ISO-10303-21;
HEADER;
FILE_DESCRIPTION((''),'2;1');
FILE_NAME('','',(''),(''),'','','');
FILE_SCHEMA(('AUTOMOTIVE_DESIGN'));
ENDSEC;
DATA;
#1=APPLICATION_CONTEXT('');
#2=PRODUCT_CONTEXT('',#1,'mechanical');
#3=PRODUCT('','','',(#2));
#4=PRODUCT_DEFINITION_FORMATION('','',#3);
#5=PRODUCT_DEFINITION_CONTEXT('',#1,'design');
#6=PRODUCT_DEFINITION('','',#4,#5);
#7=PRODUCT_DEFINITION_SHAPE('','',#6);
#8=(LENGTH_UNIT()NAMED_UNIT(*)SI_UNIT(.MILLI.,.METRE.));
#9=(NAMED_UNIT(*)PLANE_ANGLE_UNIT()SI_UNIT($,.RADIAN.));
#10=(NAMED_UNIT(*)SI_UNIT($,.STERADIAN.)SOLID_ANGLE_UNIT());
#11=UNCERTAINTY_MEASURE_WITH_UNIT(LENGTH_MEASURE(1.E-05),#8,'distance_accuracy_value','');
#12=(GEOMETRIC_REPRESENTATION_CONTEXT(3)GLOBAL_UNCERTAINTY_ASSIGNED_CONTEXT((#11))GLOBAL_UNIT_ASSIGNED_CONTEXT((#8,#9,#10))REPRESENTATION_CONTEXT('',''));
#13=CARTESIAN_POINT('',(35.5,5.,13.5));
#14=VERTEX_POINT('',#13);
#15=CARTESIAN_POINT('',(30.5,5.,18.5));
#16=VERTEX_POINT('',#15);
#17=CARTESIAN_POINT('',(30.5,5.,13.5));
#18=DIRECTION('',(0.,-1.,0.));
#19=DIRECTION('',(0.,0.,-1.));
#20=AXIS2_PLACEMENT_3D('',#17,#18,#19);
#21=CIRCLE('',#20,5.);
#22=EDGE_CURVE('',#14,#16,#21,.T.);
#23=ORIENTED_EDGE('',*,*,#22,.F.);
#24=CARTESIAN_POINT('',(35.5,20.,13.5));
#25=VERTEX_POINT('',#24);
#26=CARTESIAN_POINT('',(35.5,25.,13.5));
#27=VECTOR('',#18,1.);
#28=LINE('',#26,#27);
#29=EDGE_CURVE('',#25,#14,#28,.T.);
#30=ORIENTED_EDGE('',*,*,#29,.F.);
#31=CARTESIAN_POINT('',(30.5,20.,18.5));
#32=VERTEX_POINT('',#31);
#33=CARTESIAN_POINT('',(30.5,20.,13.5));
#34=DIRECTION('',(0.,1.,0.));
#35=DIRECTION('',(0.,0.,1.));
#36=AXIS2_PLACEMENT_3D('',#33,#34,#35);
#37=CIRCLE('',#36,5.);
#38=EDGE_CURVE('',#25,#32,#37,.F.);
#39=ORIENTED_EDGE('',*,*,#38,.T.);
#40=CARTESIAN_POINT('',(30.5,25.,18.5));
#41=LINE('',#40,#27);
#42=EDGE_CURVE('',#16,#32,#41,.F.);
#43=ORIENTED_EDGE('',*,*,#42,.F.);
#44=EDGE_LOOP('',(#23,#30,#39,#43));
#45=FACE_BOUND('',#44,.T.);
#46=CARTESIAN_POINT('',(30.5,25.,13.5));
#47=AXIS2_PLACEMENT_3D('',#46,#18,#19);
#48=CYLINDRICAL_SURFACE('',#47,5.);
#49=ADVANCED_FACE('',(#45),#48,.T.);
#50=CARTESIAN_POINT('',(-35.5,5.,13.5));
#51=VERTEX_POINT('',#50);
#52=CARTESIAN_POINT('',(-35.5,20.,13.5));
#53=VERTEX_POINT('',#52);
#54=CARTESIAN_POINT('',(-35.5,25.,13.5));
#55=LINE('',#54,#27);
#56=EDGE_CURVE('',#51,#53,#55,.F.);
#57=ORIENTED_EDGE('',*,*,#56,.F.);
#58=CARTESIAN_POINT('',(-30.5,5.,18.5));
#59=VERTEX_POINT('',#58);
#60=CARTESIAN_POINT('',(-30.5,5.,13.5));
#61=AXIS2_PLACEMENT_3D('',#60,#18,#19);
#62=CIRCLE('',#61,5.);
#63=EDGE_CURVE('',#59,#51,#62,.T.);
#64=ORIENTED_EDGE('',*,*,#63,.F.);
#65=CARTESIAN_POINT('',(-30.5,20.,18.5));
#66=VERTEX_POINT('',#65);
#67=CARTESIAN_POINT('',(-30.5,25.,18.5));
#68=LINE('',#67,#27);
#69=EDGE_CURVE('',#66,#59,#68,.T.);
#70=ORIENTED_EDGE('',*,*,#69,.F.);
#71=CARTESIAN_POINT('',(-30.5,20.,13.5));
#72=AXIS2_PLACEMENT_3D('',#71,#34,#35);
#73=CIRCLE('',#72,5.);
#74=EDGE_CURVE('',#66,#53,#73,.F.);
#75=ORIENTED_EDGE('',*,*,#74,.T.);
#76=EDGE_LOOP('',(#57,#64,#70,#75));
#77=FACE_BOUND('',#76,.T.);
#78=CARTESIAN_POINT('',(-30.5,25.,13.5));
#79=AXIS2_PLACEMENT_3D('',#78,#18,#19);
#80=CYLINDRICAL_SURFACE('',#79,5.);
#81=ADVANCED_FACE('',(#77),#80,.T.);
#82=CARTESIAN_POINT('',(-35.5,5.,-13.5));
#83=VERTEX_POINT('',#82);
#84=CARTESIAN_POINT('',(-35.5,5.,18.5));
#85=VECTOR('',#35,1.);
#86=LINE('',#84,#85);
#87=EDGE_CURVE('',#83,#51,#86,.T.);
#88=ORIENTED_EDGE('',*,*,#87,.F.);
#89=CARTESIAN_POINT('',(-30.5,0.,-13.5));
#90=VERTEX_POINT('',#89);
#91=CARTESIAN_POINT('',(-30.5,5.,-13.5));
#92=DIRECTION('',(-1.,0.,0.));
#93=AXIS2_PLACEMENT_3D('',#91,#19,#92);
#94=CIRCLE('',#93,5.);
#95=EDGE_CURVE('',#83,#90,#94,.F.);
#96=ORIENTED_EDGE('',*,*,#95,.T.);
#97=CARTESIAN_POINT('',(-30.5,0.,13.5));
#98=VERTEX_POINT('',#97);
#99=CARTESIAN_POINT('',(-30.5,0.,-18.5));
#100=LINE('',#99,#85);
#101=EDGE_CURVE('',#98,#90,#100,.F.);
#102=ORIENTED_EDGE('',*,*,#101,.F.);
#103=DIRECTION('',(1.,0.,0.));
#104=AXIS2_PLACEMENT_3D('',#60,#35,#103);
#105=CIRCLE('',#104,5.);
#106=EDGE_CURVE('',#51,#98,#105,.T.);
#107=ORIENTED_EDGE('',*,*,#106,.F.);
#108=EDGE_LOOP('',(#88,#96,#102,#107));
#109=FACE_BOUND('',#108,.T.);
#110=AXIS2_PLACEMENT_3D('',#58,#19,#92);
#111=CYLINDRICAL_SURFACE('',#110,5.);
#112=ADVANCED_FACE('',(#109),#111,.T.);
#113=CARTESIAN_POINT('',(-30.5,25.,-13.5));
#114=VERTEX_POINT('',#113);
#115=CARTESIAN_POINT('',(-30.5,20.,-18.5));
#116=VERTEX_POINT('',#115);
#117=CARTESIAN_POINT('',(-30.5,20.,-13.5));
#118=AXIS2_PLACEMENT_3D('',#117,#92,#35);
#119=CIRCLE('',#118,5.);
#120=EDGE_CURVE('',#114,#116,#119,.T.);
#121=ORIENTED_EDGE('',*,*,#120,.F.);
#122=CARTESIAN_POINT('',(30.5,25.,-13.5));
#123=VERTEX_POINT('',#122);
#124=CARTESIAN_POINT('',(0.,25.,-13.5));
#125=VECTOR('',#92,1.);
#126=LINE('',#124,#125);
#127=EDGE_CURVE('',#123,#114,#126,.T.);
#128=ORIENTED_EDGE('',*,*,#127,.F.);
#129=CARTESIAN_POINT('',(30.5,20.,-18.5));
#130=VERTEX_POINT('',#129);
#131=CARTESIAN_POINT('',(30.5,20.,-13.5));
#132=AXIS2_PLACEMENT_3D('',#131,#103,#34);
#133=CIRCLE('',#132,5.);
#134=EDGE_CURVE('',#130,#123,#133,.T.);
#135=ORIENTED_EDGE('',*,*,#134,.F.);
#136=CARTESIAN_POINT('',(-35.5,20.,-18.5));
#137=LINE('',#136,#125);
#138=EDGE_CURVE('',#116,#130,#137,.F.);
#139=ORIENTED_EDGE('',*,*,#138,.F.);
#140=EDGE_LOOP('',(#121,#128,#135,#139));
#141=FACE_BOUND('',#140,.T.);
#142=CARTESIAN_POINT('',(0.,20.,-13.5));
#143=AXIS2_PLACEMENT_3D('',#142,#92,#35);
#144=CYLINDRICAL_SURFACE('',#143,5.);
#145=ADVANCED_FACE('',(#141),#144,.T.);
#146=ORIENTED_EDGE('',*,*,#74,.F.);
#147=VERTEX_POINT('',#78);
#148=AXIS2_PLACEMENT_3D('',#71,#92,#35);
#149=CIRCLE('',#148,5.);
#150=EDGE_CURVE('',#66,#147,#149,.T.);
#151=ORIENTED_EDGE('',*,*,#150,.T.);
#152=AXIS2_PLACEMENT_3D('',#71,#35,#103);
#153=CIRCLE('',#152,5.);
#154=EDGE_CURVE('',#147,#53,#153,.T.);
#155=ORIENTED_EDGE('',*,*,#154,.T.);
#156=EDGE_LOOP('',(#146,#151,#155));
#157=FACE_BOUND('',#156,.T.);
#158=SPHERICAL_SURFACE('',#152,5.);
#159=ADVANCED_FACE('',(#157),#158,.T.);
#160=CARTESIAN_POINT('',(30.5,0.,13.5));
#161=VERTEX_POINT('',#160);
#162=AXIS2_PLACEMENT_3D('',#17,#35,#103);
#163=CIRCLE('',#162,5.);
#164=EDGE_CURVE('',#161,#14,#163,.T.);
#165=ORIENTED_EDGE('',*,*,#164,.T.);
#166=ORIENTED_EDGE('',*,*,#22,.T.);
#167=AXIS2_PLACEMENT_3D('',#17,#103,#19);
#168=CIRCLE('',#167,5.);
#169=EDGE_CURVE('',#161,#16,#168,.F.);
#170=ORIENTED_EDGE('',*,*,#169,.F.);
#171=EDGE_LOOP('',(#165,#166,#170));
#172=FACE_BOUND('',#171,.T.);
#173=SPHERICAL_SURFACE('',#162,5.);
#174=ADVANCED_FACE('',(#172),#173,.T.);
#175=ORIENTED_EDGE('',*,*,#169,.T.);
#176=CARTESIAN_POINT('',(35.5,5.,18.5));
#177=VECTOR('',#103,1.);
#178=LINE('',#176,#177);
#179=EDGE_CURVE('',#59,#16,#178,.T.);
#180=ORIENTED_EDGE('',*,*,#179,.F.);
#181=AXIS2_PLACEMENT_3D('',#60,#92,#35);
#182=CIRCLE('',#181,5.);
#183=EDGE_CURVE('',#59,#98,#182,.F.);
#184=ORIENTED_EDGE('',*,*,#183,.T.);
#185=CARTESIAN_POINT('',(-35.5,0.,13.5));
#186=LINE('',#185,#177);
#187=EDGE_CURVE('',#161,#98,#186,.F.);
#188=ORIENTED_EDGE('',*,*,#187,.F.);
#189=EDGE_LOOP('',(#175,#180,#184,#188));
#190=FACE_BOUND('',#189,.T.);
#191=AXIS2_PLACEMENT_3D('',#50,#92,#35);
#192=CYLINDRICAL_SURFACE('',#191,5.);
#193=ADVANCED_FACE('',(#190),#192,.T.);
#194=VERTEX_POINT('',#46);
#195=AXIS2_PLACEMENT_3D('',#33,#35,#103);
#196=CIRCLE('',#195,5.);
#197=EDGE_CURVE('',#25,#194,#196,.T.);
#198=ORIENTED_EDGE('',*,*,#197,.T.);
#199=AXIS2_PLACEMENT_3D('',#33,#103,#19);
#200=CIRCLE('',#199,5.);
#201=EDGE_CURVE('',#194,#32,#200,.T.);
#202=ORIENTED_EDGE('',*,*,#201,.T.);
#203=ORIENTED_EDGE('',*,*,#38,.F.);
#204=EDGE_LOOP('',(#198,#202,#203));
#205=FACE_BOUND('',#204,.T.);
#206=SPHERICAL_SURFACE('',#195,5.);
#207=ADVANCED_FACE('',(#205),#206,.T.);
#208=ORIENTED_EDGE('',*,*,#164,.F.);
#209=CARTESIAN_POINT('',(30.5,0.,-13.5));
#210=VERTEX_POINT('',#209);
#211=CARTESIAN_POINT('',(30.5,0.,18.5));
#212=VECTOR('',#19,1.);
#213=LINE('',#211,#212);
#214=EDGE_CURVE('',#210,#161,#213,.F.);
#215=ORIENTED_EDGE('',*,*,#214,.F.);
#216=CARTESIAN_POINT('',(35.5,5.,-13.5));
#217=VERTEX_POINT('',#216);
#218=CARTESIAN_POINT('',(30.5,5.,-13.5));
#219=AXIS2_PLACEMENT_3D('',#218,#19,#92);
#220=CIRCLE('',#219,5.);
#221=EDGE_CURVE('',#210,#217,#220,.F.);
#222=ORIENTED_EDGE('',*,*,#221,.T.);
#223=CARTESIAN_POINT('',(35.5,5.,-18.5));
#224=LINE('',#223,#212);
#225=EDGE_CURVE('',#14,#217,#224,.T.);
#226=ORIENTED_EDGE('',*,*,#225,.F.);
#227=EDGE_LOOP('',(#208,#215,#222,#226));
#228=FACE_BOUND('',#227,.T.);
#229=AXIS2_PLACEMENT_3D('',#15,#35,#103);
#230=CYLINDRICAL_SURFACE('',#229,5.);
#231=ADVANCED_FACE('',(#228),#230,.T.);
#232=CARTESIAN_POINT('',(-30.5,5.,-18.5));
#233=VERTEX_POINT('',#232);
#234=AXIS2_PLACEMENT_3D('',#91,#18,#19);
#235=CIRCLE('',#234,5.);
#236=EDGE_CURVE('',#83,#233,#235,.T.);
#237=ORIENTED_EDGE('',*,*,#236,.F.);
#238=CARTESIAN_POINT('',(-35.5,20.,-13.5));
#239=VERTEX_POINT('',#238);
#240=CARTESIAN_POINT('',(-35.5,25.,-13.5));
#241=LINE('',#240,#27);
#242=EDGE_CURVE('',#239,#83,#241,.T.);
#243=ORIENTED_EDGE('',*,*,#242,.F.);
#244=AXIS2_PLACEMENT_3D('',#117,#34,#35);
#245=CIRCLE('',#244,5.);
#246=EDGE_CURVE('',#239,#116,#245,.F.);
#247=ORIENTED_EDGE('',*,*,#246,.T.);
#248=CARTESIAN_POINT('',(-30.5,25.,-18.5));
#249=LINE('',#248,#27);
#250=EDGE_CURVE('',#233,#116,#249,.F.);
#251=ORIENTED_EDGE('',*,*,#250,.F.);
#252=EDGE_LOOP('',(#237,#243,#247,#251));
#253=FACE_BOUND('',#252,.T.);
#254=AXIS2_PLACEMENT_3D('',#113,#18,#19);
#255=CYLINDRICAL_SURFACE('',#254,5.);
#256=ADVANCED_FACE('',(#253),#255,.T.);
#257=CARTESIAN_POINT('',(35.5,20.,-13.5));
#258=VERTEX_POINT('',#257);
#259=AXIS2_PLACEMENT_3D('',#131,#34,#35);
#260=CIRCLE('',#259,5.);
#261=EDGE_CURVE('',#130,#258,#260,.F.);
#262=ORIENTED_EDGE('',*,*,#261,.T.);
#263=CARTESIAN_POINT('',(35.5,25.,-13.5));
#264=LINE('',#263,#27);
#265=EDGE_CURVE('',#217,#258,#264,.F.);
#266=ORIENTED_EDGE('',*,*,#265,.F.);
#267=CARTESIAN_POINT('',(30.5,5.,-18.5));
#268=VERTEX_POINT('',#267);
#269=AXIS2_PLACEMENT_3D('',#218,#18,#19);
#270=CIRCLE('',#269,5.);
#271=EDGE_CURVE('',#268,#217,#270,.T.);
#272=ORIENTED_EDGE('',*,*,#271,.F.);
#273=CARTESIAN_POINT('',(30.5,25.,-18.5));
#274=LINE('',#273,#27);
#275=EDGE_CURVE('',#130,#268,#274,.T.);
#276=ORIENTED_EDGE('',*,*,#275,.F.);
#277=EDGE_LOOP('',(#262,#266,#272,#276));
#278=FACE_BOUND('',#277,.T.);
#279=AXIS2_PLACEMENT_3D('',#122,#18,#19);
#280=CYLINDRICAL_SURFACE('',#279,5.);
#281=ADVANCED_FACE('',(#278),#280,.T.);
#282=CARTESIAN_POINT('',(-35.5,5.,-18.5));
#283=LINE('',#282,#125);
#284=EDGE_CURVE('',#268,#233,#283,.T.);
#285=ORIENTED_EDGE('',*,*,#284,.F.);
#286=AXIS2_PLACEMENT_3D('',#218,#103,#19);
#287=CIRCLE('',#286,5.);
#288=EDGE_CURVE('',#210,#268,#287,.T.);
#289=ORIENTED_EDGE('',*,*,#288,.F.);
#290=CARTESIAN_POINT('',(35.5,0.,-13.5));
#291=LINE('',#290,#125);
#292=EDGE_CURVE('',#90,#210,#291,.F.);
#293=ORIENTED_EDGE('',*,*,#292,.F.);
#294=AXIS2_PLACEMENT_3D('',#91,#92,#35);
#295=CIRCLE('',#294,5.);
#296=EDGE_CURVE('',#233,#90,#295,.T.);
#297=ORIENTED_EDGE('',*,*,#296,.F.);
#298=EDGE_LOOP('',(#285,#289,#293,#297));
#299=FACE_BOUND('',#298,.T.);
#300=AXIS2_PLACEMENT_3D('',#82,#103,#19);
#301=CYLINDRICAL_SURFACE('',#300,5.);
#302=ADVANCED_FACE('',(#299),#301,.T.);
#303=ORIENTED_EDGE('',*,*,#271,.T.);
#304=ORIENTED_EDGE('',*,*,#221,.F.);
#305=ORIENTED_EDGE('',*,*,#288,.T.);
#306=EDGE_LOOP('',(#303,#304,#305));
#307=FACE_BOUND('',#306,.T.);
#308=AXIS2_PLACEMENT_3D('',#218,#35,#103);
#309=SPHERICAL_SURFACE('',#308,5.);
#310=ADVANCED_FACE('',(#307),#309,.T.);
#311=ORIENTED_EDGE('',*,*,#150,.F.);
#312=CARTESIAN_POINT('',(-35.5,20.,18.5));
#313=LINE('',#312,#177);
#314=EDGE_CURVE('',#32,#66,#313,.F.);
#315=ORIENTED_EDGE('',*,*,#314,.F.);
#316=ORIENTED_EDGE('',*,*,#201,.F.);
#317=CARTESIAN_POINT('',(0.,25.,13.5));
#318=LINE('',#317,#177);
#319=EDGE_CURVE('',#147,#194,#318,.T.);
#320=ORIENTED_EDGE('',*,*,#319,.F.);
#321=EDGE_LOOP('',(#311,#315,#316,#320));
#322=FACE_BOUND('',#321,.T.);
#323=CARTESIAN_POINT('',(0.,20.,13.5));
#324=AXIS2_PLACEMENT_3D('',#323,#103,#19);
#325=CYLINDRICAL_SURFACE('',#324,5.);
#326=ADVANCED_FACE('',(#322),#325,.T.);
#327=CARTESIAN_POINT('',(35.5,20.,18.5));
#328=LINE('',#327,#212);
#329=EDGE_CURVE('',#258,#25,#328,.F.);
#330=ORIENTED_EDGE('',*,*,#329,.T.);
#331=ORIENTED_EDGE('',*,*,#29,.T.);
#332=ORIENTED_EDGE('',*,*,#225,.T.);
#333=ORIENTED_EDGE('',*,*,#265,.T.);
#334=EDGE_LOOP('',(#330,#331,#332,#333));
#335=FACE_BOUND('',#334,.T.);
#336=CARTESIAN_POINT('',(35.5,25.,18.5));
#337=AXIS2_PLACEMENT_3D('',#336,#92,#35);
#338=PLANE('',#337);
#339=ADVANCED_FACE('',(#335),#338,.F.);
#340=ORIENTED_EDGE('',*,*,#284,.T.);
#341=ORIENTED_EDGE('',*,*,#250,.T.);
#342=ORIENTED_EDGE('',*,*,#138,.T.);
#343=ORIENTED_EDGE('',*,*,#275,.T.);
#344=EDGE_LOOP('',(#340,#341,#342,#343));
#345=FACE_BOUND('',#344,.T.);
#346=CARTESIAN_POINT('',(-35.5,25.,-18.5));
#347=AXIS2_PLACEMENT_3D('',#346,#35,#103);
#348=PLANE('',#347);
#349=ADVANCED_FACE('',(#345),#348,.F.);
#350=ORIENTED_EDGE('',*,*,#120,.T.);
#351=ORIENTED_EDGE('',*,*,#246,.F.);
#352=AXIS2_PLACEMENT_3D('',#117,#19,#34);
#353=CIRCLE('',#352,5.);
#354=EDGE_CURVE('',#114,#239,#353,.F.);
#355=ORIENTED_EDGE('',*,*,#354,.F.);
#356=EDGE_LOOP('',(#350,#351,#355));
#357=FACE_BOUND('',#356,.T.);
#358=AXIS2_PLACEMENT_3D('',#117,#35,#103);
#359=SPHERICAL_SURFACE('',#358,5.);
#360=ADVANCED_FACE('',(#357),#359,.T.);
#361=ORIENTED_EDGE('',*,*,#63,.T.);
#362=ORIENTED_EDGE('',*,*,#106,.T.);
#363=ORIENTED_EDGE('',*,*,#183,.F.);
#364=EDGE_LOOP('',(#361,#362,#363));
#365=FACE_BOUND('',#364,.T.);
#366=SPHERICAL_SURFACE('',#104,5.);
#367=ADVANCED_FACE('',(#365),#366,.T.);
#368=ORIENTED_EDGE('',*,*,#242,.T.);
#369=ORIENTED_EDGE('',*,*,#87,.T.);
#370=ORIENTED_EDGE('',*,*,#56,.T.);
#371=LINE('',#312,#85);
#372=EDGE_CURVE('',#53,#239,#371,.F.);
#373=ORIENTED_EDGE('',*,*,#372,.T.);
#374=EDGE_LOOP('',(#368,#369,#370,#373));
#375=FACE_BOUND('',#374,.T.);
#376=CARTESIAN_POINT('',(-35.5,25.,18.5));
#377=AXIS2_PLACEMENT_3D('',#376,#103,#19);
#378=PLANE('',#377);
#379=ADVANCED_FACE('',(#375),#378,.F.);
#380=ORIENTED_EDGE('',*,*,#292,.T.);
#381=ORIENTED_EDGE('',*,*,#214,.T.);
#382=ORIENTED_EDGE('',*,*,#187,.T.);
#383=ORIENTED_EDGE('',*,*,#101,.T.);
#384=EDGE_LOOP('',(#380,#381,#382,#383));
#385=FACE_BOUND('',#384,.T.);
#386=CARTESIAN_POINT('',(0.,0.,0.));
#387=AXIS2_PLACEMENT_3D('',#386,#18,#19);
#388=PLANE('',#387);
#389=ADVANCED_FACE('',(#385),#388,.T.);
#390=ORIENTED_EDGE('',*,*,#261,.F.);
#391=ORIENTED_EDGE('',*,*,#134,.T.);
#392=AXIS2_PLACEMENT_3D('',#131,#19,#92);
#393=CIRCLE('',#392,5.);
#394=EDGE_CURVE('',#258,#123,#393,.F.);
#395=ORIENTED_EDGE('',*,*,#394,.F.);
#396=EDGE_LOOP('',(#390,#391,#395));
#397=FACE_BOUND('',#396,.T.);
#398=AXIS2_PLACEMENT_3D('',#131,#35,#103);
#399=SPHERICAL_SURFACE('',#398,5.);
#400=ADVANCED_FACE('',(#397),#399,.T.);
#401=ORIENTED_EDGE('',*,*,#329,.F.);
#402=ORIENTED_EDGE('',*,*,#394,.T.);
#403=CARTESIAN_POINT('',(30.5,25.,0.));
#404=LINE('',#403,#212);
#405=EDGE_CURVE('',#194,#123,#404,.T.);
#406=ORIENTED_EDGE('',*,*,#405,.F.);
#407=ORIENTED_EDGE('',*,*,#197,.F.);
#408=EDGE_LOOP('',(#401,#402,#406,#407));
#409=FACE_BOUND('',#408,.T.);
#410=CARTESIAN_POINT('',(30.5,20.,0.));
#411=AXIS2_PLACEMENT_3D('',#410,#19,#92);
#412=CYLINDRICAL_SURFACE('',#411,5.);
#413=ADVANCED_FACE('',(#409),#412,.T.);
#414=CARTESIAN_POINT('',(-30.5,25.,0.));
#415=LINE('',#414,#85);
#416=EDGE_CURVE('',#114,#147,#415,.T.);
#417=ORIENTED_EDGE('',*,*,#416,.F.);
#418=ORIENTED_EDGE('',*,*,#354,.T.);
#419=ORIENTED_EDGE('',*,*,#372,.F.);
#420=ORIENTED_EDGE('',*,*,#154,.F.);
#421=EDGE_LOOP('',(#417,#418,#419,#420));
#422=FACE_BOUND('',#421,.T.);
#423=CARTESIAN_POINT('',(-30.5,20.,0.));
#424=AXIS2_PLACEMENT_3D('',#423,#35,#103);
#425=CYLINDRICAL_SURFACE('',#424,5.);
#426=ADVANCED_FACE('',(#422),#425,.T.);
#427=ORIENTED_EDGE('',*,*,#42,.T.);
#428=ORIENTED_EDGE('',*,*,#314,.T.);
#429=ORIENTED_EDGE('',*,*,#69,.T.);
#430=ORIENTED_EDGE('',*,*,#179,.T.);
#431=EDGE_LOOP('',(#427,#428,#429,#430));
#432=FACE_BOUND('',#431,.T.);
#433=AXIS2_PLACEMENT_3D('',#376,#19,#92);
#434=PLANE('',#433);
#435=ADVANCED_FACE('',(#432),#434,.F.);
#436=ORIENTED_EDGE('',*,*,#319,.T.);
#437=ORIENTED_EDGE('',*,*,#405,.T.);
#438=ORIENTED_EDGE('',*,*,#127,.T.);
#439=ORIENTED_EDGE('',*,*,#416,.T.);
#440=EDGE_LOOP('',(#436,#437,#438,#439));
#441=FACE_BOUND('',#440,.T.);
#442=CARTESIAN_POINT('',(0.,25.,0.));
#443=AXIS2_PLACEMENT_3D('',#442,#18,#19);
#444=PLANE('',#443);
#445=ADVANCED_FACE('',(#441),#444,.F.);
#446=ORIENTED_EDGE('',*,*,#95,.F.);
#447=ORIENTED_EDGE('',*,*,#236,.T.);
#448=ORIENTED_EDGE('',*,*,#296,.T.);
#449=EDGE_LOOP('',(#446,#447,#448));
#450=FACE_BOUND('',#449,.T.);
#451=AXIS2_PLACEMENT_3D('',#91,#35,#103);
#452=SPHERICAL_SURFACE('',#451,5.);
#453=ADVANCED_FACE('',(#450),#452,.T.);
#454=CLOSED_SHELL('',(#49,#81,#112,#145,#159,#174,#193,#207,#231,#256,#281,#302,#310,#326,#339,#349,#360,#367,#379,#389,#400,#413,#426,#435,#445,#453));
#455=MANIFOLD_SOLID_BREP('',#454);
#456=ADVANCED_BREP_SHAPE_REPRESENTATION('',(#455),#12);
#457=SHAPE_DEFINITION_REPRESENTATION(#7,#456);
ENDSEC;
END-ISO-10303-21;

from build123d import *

# Parameters (mm, degrees)
CROQUIS1_W              = 71
CROQUIS1_H              = 37
SALIENTE_EXTRUIR1_DEPTH = 25
REDONDEO3_R             = 5


with BuildPart() as part:
    # Croquis1 → Saliente-Extruir1 (new body)
    with BuildSketch(Plane(origin=(0, 0, 0), x_dir=(1, 0, 0), z_dir=(0, 1, 0))):
        Rectangle(CROQUIS1_W, CROQUIS1_H)
    extrude(amount=SALIENTE_EXTRUIR1_DEPTH)

    # Redondeo3
    redondeo3_edges = [part.edges().sort_by_distance(p)[0] for p in [
        (-35.5, 25, 0),
        (0, 25, 18.5),
        (35.5, 25, 0),
        (0, 0, 18.5),
        (-35.5, 0, 0),
        (0, 0, -18.5),
        (35.5, 0, 0),
        (0, 25, -18.5),
        (35.5, 12.5, 18.5),
        (-35.5, 12.5, 18.5),
        (-35.5, 12.5, -18.5),
        (35.5, 12.5, -18.5),
    ]]
    fillet(redondeo3_edges, radius=REDONDEO3_R)


solid = part.part
